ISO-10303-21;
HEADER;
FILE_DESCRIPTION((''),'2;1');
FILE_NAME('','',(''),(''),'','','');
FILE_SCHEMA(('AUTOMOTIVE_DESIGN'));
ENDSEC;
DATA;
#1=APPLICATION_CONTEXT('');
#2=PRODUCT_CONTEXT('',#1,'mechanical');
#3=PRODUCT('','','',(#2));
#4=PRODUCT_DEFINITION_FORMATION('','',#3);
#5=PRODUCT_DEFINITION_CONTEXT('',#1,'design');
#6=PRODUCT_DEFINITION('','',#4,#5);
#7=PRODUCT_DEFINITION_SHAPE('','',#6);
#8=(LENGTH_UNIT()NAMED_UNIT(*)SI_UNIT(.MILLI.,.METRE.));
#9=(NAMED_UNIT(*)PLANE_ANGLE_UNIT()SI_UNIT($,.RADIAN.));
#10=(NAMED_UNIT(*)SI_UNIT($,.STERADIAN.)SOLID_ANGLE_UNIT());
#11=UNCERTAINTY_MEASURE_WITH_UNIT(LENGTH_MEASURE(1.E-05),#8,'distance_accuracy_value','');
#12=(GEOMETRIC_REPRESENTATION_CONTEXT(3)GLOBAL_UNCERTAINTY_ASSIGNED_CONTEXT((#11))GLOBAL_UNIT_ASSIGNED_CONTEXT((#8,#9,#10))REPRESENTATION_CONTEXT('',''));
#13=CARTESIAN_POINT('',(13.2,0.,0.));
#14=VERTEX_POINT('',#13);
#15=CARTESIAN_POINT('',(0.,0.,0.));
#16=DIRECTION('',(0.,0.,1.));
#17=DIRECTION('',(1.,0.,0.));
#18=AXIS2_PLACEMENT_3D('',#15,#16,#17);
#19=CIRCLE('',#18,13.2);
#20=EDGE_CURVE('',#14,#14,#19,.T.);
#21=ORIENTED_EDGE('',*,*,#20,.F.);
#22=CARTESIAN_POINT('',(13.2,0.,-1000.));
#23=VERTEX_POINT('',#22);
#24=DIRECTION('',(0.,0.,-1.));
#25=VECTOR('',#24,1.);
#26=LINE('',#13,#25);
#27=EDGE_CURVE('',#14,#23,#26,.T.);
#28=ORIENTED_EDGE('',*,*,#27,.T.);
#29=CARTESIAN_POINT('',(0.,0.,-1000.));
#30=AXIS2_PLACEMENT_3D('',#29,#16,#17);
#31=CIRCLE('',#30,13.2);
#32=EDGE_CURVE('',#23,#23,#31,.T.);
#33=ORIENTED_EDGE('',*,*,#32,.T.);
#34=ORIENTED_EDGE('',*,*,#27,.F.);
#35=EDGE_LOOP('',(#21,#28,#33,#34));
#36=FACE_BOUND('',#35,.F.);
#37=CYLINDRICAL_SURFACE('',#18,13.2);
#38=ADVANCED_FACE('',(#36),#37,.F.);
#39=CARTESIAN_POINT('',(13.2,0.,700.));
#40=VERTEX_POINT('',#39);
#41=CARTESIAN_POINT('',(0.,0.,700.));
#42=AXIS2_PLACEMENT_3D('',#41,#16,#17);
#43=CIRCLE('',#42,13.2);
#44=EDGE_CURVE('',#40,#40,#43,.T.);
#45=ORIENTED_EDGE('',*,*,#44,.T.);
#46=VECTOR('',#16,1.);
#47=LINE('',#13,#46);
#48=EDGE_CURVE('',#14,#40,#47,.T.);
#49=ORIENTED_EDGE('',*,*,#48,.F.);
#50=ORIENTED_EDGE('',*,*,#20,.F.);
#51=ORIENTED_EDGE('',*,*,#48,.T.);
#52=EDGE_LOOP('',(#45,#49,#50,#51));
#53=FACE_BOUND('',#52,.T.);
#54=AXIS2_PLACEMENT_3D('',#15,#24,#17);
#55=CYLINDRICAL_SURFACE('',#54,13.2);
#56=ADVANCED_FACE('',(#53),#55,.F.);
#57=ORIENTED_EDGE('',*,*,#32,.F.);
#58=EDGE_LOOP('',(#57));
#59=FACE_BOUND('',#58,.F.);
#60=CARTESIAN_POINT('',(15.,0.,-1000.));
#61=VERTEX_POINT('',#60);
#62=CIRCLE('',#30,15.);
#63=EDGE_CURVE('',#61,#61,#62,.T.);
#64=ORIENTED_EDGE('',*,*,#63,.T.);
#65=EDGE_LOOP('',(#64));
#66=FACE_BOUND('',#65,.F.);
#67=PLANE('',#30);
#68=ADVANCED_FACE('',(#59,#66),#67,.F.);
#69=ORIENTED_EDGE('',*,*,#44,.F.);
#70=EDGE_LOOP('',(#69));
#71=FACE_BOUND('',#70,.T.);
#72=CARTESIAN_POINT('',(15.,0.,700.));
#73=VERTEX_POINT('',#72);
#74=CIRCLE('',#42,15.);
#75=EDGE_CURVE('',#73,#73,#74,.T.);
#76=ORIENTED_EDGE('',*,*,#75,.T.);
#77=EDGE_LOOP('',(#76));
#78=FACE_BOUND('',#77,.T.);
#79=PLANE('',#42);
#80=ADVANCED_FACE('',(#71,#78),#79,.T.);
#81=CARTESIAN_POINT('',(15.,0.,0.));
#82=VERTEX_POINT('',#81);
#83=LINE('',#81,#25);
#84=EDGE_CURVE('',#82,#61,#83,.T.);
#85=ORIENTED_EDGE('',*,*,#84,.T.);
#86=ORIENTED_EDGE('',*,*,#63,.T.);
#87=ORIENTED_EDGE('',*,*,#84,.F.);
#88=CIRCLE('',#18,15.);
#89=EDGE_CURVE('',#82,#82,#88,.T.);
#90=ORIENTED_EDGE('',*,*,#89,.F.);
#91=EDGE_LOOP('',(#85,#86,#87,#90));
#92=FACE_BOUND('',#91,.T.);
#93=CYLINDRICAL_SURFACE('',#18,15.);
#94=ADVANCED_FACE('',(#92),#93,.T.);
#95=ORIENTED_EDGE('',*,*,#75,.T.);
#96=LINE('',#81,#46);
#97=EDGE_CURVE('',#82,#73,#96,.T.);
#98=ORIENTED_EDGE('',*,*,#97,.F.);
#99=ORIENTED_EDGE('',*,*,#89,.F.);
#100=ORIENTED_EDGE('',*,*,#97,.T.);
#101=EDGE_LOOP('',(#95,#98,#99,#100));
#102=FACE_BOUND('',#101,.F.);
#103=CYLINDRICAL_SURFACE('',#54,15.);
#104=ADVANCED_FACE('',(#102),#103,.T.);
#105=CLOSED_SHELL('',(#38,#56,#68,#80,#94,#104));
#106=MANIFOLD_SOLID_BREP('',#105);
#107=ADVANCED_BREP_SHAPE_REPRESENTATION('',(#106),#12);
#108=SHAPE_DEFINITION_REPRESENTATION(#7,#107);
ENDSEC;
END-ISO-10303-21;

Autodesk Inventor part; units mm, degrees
ref_plane "YZ Plane" through (0, 0, 0) normal (1, 0, 0) x (0, 1, 0)
ref_plane "XZ Plane" through (0, 0, 0) normal (0, 1, 0) x (-1, 0, 0)
ref_plane "XY Plane" through (0, 0, 0) normal (0, 0, 1) x (1, 0, 0)
sketch "Sketch1" plane through (0, 0, 0) normal (0, 0, 1) x (1, 0, 0)
  circle A0 centre (0, 0) radius 15
  circle A1 centre (0, 0) radius 13.2
  dimension "d0" = 30
  dimension "d1" = 1.8
extrude "Extrusion1" add sketch "Sketch1" along normal blind 700 and the other way blind 1000
properties part number "pipa40"
